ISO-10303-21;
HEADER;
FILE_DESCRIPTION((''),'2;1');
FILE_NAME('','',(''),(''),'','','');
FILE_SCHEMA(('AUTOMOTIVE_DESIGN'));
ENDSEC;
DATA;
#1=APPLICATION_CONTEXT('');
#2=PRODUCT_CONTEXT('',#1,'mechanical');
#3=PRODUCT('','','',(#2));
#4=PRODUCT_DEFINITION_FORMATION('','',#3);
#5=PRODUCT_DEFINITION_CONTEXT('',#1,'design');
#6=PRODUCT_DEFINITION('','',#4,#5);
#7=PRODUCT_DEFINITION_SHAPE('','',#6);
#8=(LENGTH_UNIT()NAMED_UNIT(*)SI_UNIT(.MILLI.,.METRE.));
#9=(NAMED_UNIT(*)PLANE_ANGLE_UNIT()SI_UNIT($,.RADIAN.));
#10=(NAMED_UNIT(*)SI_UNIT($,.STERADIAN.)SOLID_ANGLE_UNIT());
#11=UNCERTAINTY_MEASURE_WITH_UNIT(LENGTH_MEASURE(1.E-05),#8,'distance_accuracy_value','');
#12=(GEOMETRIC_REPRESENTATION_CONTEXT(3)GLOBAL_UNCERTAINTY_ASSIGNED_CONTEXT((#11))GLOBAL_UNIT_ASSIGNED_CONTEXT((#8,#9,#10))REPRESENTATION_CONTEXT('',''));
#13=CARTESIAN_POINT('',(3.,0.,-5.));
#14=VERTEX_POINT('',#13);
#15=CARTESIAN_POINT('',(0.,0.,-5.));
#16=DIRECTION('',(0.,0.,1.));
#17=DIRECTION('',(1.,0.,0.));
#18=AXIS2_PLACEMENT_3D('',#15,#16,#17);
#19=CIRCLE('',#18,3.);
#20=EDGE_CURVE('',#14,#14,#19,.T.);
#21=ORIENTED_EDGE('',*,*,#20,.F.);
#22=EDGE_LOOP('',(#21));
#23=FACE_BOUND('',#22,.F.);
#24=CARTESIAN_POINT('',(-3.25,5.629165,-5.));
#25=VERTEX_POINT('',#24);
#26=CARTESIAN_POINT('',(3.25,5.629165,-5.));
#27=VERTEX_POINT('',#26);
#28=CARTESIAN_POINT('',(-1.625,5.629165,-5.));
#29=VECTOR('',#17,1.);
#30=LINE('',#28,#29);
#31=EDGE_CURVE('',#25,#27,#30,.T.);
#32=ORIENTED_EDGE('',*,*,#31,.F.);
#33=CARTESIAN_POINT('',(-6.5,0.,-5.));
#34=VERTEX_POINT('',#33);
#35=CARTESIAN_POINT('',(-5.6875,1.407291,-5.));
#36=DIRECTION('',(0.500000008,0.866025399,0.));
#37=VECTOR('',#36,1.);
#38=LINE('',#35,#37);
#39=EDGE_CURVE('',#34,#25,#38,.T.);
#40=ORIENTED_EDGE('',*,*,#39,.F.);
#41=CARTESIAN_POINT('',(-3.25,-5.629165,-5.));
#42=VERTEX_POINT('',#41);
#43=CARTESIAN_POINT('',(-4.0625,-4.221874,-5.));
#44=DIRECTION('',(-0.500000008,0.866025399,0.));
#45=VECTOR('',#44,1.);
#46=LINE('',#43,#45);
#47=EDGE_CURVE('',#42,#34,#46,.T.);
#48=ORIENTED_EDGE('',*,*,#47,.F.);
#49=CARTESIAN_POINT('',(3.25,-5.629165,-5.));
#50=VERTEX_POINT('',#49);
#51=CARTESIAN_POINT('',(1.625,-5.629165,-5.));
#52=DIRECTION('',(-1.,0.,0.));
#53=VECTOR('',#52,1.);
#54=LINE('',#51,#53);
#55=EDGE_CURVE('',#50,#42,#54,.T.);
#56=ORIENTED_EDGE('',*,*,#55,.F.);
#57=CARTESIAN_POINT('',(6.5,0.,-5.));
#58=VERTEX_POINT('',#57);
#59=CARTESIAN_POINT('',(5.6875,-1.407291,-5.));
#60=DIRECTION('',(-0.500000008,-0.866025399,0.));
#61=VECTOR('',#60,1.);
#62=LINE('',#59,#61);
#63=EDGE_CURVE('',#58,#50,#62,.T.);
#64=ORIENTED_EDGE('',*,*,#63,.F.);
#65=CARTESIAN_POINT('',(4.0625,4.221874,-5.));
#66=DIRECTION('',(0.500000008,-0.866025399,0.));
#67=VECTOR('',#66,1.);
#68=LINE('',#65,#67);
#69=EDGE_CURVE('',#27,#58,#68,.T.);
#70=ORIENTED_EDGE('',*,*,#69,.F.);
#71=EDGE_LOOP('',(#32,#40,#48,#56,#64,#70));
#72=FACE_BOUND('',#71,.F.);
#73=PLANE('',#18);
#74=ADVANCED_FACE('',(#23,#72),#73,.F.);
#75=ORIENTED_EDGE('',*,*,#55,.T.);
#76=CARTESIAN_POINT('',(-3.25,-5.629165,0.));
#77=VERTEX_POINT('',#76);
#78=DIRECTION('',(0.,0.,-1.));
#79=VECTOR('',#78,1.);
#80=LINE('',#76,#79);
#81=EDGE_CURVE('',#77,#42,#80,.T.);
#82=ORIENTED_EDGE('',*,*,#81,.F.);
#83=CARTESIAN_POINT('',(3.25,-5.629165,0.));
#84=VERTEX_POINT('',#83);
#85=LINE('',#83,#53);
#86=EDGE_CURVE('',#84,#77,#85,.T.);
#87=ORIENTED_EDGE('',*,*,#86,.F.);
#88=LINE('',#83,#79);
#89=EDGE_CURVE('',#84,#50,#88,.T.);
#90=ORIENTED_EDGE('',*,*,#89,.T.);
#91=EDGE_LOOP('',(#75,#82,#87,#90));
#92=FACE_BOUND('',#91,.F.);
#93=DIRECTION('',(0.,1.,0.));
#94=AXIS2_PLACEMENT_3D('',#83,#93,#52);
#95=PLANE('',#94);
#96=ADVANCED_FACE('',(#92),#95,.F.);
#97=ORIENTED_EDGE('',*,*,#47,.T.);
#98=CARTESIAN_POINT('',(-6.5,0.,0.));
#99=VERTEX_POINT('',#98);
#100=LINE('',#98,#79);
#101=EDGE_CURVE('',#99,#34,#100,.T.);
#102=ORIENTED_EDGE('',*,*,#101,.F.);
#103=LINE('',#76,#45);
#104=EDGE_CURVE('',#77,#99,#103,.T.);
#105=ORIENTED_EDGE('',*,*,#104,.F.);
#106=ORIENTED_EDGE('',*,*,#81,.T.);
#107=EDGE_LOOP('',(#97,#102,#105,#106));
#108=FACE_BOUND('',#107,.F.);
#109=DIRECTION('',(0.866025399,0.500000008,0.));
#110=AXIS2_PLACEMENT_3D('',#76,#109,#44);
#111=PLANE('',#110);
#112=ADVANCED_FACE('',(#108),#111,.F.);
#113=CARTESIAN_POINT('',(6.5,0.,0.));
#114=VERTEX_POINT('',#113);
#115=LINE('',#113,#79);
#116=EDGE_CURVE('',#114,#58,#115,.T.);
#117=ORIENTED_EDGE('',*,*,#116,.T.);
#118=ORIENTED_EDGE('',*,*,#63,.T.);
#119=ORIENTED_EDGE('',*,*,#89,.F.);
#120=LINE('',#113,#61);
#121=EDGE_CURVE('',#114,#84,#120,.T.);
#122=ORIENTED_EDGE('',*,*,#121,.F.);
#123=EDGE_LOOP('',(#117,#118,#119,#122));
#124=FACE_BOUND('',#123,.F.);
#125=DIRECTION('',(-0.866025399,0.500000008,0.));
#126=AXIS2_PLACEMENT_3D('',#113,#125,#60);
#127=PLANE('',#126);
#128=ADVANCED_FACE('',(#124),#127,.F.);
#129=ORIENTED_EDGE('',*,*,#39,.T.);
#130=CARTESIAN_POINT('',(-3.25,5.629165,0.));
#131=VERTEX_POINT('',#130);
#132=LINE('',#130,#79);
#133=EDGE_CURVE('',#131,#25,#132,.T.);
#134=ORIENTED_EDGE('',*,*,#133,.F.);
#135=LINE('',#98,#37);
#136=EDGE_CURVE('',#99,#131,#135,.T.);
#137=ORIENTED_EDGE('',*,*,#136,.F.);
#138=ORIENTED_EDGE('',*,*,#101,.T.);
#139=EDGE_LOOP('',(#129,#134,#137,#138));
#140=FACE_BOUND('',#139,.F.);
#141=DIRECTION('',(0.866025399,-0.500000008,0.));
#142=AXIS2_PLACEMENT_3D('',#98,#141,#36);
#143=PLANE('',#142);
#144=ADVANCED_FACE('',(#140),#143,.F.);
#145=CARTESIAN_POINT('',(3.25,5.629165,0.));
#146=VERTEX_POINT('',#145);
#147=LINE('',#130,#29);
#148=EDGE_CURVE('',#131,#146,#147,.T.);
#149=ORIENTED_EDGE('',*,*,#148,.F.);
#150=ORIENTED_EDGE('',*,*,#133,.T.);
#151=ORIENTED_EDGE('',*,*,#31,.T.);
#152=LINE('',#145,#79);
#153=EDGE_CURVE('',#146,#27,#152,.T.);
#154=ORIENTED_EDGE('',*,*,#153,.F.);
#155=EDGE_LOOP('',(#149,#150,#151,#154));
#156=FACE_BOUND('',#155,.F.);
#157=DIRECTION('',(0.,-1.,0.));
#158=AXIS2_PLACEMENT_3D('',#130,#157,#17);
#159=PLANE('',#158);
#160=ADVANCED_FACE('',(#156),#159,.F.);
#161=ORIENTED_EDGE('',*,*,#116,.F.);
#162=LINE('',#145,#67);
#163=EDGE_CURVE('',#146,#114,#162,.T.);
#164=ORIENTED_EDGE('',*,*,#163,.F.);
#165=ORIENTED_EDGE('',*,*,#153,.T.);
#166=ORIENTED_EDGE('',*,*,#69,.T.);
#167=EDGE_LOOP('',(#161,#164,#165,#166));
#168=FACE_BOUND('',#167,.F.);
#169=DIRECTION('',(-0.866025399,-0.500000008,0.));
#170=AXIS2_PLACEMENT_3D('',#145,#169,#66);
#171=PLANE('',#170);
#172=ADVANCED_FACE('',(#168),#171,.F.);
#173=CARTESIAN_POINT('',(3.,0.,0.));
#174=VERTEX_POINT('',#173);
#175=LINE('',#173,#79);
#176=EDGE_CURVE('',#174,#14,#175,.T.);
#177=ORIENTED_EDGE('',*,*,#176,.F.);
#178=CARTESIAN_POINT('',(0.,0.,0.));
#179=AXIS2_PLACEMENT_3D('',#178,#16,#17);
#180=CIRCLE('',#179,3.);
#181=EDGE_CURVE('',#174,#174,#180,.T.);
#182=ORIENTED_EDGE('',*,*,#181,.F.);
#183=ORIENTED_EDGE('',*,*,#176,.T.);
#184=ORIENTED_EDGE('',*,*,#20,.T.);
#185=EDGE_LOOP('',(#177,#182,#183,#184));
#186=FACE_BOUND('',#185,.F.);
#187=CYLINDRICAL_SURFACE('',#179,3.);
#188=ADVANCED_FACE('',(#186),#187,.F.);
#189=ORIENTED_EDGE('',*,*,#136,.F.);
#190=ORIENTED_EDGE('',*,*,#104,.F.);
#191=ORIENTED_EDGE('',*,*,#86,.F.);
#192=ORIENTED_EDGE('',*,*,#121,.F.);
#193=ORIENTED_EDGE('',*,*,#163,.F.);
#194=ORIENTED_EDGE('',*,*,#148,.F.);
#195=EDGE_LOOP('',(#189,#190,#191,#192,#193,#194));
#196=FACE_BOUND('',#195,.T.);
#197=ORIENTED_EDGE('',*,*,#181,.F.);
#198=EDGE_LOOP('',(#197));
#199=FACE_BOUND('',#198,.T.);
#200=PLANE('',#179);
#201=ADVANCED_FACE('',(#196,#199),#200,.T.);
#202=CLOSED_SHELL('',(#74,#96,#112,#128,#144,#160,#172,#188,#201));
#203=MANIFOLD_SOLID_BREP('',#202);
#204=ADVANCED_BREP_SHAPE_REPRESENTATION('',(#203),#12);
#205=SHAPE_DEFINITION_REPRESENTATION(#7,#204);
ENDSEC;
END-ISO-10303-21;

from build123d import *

# Parameters (mm, degrees)
F0_R     = 6.5
F1_DEPTH = 5
F3_DEPTH = 5.001
F4_R     = 3
F5_DEPTH = 5.001


with BuildPart() as f1:
    # F0 (on Top) → F1 (new body)
    with BuildSketch(Plane.XY):
        Circle(F0_R)
    extrude(amount=-F1_DEPTH)

    # F2 (on face) → F3 (cut, through all)
    with BuildSketch(Plane.XY):
        with BuildLine():
            Line((-3.25, 5.629165), (3.25, 5.629165))
            ThreePointArc((3.25, 5.629165), (0, 6.5), (-3.25, 5.629165))
        make_face()
        with BuildLine():
            Line((-6.5, 0), (-3.25, 5.629165))
            ThreePointArc((-3.25, 5.629165), (-5.629165, 3.25), (-6.5, 0))
        make_face()
        with BuildLine():
            ThreePointArc((-6.5, 0), (-5.629165, -3.25), (-3.25, -5.629165))
            Line((-3.25, -5.629165), (-6.5, 0))
        make_face()
        with BuildLine():
            ThreePointArc((-3.25, -5.629165), (0, -6.5), (3.25, -5.629165))
            Line((3.25, -5.629165), (-3.25, -5.629165))
        make_face()
        with BuildLine():
            ThreePointArc((3.25, -5.629165), (5.629165, -3.25), (6.5, 0))
            Line((6.5, 0), (3.25, -5.629165))
        make_face()
        with BuildLine():
            Line((3.25, 5.629165), (6.5, 0))
            ThreePointArc((6.5, 0), (5.629165, 3.25), (3.25, 5.629165))
        make_face()
    extrude(amount=-F3_DEPTH, mode=Mode.SUBTRACT)

    # F4 (on face) → F5 (cut, through all)
    with BuildSketch(Plane.XY):
        Circle(F4_R)
    extrude(amount=-F5_DEPTH, mode=Mode.SUBTRACT)


solid = f1.part
